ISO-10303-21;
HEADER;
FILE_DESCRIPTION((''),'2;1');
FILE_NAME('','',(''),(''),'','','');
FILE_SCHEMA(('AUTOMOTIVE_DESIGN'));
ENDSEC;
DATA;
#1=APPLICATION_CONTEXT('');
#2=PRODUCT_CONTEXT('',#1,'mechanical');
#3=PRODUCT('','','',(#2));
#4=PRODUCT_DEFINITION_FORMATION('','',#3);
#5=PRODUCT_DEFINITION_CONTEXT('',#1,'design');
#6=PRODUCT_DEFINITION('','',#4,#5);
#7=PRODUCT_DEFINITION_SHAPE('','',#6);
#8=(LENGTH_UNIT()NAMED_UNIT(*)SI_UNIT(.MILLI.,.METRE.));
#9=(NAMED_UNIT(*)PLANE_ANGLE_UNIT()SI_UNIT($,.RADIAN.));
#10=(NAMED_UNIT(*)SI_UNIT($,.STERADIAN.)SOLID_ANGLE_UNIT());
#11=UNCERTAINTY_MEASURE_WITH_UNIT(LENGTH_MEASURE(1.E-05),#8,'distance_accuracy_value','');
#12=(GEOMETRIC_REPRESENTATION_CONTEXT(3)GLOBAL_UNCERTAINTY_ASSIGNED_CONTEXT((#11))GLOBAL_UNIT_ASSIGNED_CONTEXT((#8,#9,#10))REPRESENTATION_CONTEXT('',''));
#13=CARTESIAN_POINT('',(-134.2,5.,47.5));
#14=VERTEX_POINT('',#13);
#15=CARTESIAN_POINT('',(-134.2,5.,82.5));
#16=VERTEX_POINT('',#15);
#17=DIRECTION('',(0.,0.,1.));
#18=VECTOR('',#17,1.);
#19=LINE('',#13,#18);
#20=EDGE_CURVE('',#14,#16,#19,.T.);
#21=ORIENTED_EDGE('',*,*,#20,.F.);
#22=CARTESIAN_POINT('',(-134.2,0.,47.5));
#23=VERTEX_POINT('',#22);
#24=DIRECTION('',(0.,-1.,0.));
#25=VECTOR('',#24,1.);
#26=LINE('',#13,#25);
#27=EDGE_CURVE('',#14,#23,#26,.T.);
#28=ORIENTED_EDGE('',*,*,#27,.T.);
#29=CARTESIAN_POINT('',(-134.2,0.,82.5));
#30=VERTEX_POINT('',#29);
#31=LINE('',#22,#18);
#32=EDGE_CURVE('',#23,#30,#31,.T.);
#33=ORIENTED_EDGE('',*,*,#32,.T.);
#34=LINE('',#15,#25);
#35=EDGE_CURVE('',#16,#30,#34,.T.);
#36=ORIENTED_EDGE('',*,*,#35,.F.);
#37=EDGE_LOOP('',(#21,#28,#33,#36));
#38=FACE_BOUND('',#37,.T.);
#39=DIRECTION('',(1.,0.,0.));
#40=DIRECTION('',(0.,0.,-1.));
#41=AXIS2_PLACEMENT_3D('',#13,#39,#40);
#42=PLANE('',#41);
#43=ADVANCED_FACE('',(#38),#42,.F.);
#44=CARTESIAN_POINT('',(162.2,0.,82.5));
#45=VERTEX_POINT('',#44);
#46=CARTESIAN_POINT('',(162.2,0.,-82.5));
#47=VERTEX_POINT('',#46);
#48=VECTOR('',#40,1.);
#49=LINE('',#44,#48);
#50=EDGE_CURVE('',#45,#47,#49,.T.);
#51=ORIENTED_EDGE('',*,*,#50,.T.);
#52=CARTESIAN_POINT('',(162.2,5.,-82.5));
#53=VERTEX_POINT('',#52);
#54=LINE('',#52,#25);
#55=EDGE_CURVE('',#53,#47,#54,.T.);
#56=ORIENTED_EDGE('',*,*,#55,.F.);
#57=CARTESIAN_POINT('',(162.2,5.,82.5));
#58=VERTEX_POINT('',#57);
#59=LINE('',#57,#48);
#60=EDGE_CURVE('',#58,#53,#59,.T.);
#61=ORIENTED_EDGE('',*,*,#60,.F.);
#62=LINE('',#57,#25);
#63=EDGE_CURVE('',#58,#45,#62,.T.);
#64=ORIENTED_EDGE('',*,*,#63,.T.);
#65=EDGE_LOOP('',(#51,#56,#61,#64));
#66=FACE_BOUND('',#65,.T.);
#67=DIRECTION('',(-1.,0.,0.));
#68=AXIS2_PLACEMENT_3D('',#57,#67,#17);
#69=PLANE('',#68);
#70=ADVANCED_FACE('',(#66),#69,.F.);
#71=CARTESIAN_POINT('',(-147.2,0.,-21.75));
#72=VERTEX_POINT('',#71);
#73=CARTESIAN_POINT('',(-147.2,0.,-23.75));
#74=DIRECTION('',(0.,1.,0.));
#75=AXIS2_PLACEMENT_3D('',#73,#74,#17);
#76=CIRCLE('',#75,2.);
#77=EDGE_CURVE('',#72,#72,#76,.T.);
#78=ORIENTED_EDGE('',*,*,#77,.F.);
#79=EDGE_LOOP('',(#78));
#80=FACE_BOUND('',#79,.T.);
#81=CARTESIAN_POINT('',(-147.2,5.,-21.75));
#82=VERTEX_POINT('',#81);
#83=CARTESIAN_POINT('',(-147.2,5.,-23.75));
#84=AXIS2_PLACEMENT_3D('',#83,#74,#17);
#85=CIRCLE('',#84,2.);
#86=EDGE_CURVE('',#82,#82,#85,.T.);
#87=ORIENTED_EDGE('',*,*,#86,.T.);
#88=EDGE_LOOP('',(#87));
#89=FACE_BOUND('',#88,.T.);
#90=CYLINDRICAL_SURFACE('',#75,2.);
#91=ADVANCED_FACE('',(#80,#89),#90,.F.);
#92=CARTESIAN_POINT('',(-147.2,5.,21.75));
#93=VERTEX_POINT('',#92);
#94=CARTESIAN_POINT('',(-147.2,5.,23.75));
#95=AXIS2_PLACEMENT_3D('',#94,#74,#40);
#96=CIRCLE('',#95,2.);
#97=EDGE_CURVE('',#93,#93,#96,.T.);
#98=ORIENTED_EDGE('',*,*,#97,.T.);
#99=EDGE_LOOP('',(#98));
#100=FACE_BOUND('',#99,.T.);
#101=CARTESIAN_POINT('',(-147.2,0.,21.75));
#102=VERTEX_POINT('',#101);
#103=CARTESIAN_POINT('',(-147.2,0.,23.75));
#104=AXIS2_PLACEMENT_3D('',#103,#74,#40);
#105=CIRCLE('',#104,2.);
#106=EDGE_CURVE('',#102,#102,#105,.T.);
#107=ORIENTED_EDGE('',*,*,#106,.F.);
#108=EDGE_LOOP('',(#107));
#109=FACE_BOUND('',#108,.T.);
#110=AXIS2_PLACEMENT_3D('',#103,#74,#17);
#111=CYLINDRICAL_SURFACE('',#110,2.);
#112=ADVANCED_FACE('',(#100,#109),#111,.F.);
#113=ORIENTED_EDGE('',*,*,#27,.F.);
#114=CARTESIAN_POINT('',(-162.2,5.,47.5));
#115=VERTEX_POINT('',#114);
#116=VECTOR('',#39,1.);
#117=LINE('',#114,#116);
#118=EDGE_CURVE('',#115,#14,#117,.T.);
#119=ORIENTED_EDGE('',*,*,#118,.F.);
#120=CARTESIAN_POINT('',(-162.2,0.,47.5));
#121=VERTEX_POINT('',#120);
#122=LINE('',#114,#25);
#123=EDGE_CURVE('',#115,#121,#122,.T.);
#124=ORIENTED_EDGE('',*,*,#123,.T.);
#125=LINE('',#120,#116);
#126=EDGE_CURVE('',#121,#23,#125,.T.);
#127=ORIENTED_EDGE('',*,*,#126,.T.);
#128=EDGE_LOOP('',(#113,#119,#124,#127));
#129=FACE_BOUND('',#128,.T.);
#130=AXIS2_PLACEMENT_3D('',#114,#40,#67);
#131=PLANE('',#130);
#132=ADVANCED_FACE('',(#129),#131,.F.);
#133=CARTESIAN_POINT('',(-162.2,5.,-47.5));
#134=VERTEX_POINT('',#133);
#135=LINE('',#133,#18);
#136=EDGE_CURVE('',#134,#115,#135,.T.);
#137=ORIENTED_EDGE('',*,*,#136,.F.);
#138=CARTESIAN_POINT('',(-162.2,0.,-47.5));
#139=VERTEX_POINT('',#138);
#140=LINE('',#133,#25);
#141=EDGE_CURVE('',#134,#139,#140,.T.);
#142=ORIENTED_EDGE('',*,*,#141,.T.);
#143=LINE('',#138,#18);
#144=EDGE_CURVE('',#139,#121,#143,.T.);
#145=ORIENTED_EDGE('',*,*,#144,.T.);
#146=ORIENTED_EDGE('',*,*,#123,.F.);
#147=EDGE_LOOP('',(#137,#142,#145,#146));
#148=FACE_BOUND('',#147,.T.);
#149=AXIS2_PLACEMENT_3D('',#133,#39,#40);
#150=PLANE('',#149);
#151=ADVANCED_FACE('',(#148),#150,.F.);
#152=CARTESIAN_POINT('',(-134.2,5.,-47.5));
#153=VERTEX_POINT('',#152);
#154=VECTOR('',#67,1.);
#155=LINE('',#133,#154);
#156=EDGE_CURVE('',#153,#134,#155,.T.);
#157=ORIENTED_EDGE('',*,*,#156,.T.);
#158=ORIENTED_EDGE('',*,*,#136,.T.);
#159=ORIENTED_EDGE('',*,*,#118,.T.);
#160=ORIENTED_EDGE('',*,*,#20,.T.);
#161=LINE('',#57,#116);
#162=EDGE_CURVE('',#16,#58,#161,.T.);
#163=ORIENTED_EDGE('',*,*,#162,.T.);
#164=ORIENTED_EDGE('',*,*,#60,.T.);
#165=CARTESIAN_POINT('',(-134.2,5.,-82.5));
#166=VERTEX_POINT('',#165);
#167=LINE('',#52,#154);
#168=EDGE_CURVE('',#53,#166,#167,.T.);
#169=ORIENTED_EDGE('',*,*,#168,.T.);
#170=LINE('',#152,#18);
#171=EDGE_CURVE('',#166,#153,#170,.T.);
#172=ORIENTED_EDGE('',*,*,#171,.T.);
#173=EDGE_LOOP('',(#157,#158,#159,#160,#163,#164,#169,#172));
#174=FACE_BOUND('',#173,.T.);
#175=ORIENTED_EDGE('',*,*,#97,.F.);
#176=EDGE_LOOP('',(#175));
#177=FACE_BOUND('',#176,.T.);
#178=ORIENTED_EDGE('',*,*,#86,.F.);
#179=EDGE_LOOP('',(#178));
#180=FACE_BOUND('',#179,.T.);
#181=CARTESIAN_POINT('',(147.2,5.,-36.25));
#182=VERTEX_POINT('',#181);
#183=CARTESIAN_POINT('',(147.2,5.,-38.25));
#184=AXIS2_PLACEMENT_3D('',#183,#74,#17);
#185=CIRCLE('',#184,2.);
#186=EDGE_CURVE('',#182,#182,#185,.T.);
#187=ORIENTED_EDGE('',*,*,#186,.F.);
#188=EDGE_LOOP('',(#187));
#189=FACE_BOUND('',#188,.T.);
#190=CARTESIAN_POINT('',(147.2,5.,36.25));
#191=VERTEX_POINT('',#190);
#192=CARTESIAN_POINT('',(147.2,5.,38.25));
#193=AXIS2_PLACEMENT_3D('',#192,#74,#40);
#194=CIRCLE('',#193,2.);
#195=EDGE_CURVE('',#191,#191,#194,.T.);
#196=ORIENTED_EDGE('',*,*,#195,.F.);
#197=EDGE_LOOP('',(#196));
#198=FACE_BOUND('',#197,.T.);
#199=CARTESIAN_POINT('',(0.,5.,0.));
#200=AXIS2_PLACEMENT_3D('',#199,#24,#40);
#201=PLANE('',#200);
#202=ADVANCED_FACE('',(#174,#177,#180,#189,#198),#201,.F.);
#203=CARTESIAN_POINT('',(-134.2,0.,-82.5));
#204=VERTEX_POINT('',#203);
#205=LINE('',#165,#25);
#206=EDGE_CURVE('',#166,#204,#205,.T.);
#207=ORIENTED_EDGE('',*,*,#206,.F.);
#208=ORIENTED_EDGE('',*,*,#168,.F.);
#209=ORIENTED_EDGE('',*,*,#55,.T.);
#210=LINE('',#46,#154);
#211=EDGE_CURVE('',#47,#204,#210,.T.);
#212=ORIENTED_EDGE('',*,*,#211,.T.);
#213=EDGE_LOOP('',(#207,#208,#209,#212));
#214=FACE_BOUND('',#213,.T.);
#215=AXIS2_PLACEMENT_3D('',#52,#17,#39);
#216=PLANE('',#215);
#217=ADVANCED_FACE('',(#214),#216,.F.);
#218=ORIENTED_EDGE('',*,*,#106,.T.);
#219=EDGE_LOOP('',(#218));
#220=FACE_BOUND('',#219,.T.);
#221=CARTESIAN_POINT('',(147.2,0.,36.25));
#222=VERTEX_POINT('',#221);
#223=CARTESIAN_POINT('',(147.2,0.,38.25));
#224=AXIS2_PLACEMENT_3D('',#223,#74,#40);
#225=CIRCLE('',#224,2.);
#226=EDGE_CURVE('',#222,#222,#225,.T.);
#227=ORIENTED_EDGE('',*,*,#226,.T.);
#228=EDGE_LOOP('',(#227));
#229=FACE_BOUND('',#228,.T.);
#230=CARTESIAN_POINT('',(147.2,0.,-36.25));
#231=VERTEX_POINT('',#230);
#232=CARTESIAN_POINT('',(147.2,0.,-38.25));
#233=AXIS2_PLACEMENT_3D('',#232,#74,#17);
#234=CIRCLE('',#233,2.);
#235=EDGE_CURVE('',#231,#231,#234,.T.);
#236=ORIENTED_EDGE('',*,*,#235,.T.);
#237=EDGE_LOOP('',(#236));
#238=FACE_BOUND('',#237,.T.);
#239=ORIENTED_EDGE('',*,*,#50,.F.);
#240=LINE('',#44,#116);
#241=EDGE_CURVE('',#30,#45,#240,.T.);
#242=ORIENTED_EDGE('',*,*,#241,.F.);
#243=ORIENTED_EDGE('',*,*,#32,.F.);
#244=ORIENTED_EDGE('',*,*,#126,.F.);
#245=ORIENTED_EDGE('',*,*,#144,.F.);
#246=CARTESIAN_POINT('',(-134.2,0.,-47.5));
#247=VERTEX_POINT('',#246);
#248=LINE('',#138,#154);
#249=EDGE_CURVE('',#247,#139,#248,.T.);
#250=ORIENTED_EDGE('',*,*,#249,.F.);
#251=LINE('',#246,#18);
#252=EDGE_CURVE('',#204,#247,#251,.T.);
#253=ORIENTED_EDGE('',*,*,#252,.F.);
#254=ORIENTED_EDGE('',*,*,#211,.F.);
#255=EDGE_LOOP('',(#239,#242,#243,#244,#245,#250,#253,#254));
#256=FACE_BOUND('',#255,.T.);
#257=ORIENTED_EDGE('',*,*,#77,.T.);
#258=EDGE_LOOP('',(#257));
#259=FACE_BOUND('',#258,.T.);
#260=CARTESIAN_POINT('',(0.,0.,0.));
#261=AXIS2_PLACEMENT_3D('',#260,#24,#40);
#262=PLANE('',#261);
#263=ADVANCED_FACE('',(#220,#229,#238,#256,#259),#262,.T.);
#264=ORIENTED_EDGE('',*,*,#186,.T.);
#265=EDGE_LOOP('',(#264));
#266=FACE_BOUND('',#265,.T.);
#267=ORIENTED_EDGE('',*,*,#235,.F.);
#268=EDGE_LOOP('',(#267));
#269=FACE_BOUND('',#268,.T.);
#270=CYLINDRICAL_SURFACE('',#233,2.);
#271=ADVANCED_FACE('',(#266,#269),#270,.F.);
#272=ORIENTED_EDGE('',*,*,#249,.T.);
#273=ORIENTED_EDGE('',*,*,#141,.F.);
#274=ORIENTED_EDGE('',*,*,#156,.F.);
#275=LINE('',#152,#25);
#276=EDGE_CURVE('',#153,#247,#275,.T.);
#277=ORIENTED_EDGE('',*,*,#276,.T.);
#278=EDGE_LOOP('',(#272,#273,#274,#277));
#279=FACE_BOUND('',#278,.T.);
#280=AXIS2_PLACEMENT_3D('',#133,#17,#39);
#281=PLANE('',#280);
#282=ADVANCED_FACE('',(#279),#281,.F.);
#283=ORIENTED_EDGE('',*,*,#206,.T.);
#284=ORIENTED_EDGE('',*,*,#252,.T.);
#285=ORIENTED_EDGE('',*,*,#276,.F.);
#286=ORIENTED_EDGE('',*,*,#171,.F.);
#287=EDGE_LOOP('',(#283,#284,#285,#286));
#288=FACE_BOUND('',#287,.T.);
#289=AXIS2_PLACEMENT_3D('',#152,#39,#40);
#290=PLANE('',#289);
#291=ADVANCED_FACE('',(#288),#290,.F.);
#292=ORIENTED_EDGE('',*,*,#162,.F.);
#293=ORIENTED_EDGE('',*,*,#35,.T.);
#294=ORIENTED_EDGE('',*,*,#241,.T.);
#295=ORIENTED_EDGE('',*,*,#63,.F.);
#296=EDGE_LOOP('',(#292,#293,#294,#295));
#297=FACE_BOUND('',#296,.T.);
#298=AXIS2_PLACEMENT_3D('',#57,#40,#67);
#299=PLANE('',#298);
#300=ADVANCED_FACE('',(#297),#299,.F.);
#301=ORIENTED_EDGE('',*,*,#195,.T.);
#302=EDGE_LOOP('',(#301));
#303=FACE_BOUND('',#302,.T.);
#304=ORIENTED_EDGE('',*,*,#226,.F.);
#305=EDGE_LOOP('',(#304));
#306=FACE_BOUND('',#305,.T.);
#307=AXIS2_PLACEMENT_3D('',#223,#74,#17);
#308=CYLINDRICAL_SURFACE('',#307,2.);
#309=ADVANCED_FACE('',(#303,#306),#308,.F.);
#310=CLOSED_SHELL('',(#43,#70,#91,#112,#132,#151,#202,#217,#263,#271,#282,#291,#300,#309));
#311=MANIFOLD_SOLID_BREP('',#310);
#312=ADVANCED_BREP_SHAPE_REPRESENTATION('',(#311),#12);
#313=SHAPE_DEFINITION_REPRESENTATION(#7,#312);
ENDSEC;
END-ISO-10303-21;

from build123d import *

# Parameters (mm, degrees)
BOSS_EXTRUDE1_DEPTH = 5
SKETCH2_R           = 2
CUT_EXTRUDE1_DEPTH  = 5


with BuildPart() as part:
    # Sketch1 → Boss-Extrude1 (new body)
    with BuildSketch(Plane(origin=(0, 0, 0), x_dir=(1, 0, 0), z_dir=(0, 1, 0))):
        Polygon((162.2, -82.5), (162.2, 82.5), (-134.2, 82.5), (-134.2, 47.5), (-162.2, 47.5), (-162.2, -47.5), (-134.2, -47.5), (-134.2, -82.5), align=None)
    extrude(amount=BOSS_EXTRUDE1_DEPTH)

    # Sketch2 → Cut-Extrude1 (cut)
    with BuildSketch(Plane(origin=(0, 5, 0), x_dir=(1, 0, 0), z_dir=(0, 1, 0))):
        with Locations((-147.2, 23.75)):
            Circle(SKETCH2_R)
        with Locations((147.2, 38.25)):
            Circle(SKETCH2_R)
        with Locations((147.2, -38.25)):
            Circle(SKETCH2_R)
        with Locations((-147.2, -23.75)):
            Circle(SKETCH2_R)
    extrude(amount=-CUT_EXTRUDE1_DEPTH, mode=Mode.SUBTRACT)


solid = part.part
